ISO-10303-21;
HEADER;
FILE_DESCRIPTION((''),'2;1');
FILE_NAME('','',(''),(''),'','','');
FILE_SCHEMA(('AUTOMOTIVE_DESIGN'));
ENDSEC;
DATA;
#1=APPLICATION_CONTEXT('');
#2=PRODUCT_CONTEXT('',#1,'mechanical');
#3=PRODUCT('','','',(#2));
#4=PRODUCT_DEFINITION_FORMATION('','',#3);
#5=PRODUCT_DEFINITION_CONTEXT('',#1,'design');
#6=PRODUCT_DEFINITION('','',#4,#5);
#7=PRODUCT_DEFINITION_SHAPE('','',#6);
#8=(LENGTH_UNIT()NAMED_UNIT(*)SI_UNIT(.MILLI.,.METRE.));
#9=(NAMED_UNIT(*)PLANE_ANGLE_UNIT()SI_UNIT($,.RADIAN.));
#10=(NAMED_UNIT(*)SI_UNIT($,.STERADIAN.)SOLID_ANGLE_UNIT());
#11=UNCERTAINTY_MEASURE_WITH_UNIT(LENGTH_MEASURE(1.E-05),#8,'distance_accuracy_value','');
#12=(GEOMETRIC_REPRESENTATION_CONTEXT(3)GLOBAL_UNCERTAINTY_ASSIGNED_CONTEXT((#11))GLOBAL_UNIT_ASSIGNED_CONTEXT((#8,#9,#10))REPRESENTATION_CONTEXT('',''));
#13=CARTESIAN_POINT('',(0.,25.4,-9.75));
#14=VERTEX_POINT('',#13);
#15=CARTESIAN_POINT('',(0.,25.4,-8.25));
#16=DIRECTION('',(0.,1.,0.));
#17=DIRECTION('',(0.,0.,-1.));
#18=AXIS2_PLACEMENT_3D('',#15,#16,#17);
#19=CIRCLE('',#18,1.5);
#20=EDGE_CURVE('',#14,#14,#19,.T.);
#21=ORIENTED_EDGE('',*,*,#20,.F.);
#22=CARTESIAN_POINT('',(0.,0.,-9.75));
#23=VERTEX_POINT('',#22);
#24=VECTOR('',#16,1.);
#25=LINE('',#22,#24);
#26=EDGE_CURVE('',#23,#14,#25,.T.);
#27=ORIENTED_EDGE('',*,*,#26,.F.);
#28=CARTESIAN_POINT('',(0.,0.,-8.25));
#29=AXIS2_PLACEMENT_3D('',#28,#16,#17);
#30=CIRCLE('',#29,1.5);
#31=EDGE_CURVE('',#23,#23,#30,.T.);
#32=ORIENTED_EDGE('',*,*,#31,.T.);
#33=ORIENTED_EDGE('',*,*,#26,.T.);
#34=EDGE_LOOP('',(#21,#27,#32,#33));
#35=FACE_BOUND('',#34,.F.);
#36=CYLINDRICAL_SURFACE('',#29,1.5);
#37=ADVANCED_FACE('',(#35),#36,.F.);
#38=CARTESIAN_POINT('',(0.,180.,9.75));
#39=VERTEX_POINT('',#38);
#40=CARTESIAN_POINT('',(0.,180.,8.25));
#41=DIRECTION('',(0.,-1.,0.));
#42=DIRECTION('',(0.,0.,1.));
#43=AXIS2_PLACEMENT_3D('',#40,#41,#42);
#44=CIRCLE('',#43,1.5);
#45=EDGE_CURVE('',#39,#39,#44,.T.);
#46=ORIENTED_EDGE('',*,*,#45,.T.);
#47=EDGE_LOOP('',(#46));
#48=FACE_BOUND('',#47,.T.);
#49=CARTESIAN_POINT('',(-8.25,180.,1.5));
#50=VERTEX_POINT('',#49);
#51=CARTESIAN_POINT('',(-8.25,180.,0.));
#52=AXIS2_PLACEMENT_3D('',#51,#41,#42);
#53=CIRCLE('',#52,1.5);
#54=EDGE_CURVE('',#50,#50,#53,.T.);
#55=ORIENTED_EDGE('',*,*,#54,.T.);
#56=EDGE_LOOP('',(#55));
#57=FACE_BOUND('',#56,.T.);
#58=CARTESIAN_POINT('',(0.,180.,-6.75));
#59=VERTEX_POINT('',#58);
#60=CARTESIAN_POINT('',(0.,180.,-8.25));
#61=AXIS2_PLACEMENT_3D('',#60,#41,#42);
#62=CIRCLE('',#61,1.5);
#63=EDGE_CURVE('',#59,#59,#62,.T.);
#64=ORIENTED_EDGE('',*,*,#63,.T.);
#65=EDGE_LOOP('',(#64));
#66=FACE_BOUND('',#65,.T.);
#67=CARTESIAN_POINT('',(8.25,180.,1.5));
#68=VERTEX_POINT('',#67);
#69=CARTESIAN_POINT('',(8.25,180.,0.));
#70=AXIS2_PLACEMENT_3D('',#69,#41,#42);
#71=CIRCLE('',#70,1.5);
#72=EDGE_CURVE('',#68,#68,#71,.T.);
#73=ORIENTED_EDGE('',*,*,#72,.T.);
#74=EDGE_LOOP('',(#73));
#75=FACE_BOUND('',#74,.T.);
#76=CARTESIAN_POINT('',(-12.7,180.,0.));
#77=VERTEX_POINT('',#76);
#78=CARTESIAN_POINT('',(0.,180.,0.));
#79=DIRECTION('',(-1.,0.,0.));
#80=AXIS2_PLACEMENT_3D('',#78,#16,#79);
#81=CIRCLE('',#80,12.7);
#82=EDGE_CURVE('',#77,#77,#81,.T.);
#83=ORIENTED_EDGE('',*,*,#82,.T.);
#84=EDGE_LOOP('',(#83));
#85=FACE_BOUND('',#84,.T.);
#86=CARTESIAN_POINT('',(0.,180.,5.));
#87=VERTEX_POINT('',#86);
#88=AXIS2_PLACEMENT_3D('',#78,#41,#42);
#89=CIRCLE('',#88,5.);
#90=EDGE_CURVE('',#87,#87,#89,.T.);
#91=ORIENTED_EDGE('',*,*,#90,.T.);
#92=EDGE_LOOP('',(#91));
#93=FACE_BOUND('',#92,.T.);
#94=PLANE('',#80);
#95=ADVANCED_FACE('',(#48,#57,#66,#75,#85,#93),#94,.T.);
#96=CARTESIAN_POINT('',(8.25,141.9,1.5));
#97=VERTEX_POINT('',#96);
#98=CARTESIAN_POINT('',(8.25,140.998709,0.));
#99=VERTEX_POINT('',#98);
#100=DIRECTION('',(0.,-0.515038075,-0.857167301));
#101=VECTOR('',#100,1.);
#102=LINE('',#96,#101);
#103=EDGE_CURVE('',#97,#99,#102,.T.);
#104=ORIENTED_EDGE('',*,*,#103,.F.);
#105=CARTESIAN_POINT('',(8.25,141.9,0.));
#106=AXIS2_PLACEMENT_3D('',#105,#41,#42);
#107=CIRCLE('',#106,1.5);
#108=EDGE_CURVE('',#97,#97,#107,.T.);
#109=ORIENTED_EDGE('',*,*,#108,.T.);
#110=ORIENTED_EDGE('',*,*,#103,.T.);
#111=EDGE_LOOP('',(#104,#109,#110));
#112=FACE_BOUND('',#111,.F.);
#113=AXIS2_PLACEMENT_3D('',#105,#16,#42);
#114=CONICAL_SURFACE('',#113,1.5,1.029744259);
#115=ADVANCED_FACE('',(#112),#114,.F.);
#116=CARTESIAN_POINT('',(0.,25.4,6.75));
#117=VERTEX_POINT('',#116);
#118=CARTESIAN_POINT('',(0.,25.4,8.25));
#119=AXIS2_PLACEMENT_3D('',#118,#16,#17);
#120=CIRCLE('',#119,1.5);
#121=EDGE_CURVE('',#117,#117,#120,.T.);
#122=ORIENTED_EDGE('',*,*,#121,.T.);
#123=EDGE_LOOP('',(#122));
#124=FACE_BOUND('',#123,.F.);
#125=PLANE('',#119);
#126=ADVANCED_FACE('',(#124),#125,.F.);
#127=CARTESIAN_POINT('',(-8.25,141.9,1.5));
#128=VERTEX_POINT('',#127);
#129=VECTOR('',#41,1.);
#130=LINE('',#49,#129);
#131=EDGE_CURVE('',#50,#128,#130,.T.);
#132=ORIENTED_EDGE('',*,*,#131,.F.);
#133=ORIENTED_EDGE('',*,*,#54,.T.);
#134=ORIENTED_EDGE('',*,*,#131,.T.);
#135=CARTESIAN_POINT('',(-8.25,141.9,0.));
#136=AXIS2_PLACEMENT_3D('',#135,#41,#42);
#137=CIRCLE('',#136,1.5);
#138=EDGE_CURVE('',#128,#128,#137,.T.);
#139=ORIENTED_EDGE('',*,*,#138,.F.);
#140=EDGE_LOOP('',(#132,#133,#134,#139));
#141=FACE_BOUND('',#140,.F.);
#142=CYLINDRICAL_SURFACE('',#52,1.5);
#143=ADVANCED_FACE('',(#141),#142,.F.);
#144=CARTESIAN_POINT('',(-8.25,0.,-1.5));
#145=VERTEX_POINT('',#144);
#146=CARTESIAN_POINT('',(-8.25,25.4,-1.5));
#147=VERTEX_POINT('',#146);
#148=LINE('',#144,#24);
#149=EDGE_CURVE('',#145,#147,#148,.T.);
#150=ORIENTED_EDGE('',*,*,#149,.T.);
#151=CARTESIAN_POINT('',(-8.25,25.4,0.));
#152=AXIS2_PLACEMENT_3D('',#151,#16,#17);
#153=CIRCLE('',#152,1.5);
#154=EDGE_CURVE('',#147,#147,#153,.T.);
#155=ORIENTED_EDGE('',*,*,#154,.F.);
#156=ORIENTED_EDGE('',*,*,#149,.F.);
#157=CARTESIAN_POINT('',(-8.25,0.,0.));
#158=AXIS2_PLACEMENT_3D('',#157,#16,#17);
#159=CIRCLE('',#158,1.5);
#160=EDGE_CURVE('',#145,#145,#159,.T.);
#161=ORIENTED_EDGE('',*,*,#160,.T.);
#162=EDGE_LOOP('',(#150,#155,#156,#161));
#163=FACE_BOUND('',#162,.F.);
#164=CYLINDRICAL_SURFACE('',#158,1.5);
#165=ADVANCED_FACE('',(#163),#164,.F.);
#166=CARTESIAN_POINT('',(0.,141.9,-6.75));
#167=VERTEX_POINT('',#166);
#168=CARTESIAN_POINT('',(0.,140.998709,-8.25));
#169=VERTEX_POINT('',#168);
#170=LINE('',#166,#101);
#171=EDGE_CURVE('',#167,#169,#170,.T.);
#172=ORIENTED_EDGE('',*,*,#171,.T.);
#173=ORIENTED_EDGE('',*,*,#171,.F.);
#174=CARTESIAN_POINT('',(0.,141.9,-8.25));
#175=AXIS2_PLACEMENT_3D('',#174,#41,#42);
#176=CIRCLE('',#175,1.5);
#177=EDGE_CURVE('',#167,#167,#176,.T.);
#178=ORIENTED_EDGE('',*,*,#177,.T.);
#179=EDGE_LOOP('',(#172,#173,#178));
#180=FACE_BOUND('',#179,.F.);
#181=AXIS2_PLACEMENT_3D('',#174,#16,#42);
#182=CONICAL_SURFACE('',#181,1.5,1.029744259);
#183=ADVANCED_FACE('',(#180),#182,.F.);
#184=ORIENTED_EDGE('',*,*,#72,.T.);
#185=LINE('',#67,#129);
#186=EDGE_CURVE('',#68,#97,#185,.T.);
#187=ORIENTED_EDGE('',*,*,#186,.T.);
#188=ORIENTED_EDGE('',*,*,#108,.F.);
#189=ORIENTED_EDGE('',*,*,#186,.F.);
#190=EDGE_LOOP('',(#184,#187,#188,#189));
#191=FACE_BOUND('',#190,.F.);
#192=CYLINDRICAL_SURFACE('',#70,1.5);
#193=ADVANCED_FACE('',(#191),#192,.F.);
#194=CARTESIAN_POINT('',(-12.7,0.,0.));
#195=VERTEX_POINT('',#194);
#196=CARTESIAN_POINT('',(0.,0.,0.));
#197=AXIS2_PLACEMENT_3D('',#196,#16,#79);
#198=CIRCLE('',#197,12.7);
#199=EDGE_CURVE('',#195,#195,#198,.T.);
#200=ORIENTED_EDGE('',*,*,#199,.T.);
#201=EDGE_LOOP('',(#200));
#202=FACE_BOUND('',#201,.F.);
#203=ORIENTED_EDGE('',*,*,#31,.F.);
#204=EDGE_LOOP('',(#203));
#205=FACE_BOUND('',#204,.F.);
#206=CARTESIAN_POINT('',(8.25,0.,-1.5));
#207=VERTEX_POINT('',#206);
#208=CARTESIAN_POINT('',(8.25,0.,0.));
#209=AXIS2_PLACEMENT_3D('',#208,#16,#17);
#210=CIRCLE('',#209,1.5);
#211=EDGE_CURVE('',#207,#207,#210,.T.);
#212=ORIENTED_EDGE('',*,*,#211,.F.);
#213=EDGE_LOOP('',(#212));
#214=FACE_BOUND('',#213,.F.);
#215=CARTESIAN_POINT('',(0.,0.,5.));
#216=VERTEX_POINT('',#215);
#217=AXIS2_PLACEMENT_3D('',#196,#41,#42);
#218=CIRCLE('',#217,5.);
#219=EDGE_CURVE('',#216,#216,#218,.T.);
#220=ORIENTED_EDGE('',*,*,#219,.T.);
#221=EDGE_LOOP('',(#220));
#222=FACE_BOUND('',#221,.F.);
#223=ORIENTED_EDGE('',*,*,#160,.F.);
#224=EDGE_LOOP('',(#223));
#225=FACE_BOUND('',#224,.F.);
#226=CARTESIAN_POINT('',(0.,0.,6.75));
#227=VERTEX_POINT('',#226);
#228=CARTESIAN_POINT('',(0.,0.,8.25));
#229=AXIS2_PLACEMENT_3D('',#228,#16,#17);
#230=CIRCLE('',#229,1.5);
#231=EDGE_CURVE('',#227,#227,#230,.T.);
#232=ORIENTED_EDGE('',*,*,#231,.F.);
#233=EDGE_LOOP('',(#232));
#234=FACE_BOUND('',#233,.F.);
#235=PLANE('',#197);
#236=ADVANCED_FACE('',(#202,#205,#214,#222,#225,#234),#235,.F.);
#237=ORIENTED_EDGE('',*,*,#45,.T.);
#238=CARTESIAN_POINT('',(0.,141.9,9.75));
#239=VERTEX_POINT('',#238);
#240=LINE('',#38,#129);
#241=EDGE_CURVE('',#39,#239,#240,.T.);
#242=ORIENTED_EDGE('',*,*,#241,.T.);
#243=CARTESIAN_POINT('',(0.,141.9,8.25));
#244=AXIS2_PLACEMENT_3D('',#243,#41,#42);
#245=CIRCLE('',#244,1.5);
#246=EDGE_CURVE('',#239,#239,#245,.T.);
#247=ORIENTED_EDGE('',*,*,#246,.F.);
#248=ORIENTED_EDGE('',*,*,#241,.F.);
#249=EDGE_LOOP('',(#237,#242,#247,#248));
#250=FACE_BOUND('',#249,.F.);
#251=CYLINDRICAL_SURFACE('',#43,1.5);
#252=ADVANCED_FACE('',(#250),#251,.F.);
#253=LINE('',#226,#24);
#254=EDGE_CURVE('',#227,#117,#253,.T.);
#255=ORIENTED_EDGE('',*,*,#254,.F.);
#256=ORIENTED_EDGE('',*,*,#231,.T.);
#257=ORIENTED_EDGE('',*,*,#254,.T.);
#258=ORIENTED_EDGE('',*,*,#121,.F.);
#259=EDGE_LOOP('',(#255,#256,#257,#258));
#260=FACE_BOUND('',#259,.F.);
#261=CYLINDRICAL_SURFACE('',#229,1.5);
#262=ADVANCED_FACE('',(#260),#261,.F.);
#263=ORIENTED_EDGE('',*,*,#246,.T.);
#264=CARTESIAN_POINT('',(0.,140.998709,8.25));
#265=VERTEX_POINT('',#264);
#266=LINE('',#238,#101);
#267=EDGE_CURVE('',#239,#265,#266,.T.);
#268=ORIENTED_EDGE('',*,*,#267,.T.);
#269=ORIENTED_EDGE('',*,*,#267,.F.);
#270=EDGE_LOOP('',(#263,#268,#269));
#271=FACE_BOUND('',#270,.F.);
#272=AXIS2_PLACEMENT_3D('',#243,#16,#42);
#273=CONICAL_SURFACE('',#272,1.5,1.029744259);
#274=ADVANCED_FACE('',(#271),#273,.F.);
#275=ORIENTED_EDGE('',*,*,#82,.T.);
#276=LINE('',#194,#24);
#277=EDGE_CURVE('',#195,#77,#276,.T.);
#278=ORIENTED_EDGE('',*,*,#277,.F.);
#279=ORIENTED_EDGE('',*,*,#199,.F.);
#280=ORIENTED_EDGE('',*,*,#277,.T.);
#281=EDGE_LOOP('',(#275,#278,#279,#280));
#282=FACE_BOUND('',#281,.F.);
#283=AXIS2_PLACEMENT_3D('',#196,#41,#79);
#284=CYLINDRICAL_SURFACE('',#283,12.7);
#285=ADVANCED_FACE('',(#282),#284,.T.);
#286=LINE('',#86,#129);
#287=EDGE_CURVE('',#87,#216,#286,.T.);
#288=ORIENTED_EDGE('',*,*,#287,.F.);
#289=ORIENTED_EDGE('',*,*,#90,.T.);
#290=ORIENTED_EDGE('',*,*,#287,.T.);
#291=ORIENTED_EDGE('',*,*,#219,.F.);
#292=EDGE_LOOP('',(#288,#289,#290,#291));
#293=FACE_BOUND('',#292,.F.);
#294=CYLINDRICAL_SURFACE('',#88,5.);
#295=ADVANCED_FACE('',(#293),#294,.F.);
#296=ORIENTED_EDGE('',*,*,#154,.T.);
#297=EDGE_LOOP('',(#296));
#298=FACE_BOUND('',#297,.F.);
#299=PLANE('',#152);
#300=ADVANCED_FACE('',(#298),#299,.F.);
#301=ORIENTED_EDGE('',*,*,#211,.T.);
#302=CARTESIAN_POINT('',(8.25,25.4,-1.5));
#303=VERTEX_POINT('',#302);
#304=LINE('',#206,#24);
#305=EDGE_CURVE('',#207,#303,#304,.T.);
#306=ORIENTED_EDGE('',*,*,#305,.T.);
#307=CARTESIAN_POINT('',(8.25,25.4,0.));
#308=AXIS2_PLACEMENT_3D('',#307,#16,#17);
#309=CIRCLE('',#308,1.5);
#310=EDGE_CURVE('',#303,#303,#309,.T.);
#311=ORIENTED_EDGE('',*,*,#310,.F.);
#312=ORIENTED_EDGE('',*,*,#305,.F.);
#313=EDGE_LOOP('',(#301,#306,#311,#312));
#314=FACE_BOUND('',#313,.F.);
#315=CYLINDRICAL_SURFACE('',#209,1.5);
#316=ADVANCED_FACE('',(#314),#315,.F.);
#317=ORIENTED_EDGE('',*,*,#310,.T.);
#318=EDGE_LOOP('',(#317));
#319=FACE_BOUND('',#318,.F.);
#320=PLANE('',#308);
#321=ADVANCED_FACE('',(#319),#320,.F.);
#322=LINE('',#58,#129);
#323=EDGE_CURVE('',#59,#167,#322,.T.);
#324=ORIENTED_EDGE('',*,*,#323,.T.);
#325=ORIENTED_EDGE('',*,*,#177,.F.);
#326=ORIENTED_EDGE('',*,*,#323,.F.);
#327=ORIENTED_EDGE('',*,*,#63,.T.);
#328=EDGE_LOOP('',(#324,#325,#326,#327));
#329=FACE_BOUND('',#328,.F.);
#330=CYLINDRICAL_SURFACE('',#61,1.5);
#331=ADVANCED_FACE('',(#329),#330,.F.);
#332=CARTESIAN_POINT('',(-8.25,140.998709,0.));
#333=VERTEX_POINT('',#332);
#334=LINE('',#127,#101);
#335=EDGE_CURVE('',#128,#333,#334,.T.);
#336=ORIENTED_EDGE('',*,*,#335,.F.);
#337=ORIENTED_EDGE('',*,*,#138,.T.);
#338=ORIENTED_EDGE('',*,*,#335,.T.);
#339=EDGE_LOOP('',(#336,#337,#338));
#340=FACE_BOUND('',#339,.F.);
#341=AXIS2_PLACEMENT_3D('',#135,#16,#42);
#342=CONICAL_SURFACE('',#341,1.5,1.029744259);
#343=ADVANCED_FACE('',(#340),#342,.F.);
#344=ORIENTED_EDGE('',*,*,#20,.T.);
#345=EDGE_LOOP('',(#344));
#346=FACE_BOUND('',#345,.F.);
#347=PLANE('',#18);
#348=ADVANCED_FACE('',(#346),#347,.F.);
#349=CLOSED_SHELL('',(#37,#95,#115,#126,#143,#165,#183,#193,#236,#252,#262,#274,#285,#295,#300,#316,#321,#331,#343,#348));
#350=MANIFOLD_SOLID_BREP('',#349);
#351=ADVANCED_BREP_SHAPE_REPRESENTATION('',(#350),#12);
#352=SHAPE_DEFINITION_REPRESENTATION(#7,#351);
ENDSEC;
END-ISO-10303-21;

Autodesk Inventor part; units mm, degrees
ref_plane "YZ Plane" through (0, 0, 0) normal (1, 0, 0) x (0, 1, 0)
ref_plane "XZ Plane" through (0, 0, 0) normal (0, 1, 0) x (-1, 0, 0)
ref_plane "XY Plane" through (0, 0, 0) normal (0, 0, 1) x (1, 0, 0)
sketch "Sketch1" plane through (0, 0, 0) normal (0, 1, 0) x (-1, 0, 0)
  circle A0 centre (0, 0) radius 12.7
  dimension "d0" = 25.4
extrude "Extrusion1" add sketch "Sketch1" along normal blind 180
sketch "Sketch3" plane through (0, 180, 0) normal (0, 1, 0) x (1, 0, 0)
  point P0 (0, 0)
  point P1 (0, 0)
hole "Hole2" at (0, 180, 0) direction (0, -1, 0) diameter 10 end through all
sketch "Sketch4" plane through (0, 180, 0) normal (0, 1, 0) x (1, 0, 0)
  point P0 (0, 0)
  point P1 (0, -8.25)
  point P2 (-8.25, 0)
  point P3 (0, 8.25)
  point P4 (8.25, 0)
  dimension "d17" = 8.25
  dimension "d20" = 360
hole "Hole3" at (0, 180, 8.25) at (-8.25, 180, 0) at (0, 180, -8.25) at (8.25, 180, 0) direction (0, -1, 0) diameter 3 depth 38.1 tip angle 118
thread "Thread1" size "M3x0.5" class "6H" standard "ANSI Metric M Profile" full length
thread "Thread2" size "M3x0.5" class "6H" standard "ANSI Metric M Profile" full length
thread "Thread3" size "M3x0.5" class "6H" standard "ANSI Metric M Profile" full length
thread "Thread4" size "M3x0.5" class "6H" standard "ANSI Metric M Profile" full length
sketch "Sketch5" plane through (0, 0, 0) normal (0, -1, 0) x (1, 0, 0)
  circle A0 centre (8.25, 0) radius 1.5 projected
  circle A1 centre (0, 8.25) radius 1.5 projected
  circle A2 centre (-8.25, 0) radius 1.5 projected
  circle A3 centre (0, -8.25) radius 1.5 projected
  point P0 (0, 0)
hole "Hole4" at (8.25, 0, 0) at (0, 0, 8.25) at (-8.25, 0, 0) at (0, 0, -8.25) direction (0, 1, 0) diameter 3 depth 25.4
thread "Thread5" size "M3x0.5" class "6H" standard "ANSI Metric M Profile" full length
thread "Thread6" size "M3x0.5" class "6H" standard "ANSI Metric M Profile" full length
thread "Thread7" size "M3x0.5" class "6H" standard "ANSI Metric M Profile" full length
thread "Thread8" size "M3x0.5" class "6H" standard "ANSI Metric M Profile" full length
properties part number "BarraSolidaMotor"
